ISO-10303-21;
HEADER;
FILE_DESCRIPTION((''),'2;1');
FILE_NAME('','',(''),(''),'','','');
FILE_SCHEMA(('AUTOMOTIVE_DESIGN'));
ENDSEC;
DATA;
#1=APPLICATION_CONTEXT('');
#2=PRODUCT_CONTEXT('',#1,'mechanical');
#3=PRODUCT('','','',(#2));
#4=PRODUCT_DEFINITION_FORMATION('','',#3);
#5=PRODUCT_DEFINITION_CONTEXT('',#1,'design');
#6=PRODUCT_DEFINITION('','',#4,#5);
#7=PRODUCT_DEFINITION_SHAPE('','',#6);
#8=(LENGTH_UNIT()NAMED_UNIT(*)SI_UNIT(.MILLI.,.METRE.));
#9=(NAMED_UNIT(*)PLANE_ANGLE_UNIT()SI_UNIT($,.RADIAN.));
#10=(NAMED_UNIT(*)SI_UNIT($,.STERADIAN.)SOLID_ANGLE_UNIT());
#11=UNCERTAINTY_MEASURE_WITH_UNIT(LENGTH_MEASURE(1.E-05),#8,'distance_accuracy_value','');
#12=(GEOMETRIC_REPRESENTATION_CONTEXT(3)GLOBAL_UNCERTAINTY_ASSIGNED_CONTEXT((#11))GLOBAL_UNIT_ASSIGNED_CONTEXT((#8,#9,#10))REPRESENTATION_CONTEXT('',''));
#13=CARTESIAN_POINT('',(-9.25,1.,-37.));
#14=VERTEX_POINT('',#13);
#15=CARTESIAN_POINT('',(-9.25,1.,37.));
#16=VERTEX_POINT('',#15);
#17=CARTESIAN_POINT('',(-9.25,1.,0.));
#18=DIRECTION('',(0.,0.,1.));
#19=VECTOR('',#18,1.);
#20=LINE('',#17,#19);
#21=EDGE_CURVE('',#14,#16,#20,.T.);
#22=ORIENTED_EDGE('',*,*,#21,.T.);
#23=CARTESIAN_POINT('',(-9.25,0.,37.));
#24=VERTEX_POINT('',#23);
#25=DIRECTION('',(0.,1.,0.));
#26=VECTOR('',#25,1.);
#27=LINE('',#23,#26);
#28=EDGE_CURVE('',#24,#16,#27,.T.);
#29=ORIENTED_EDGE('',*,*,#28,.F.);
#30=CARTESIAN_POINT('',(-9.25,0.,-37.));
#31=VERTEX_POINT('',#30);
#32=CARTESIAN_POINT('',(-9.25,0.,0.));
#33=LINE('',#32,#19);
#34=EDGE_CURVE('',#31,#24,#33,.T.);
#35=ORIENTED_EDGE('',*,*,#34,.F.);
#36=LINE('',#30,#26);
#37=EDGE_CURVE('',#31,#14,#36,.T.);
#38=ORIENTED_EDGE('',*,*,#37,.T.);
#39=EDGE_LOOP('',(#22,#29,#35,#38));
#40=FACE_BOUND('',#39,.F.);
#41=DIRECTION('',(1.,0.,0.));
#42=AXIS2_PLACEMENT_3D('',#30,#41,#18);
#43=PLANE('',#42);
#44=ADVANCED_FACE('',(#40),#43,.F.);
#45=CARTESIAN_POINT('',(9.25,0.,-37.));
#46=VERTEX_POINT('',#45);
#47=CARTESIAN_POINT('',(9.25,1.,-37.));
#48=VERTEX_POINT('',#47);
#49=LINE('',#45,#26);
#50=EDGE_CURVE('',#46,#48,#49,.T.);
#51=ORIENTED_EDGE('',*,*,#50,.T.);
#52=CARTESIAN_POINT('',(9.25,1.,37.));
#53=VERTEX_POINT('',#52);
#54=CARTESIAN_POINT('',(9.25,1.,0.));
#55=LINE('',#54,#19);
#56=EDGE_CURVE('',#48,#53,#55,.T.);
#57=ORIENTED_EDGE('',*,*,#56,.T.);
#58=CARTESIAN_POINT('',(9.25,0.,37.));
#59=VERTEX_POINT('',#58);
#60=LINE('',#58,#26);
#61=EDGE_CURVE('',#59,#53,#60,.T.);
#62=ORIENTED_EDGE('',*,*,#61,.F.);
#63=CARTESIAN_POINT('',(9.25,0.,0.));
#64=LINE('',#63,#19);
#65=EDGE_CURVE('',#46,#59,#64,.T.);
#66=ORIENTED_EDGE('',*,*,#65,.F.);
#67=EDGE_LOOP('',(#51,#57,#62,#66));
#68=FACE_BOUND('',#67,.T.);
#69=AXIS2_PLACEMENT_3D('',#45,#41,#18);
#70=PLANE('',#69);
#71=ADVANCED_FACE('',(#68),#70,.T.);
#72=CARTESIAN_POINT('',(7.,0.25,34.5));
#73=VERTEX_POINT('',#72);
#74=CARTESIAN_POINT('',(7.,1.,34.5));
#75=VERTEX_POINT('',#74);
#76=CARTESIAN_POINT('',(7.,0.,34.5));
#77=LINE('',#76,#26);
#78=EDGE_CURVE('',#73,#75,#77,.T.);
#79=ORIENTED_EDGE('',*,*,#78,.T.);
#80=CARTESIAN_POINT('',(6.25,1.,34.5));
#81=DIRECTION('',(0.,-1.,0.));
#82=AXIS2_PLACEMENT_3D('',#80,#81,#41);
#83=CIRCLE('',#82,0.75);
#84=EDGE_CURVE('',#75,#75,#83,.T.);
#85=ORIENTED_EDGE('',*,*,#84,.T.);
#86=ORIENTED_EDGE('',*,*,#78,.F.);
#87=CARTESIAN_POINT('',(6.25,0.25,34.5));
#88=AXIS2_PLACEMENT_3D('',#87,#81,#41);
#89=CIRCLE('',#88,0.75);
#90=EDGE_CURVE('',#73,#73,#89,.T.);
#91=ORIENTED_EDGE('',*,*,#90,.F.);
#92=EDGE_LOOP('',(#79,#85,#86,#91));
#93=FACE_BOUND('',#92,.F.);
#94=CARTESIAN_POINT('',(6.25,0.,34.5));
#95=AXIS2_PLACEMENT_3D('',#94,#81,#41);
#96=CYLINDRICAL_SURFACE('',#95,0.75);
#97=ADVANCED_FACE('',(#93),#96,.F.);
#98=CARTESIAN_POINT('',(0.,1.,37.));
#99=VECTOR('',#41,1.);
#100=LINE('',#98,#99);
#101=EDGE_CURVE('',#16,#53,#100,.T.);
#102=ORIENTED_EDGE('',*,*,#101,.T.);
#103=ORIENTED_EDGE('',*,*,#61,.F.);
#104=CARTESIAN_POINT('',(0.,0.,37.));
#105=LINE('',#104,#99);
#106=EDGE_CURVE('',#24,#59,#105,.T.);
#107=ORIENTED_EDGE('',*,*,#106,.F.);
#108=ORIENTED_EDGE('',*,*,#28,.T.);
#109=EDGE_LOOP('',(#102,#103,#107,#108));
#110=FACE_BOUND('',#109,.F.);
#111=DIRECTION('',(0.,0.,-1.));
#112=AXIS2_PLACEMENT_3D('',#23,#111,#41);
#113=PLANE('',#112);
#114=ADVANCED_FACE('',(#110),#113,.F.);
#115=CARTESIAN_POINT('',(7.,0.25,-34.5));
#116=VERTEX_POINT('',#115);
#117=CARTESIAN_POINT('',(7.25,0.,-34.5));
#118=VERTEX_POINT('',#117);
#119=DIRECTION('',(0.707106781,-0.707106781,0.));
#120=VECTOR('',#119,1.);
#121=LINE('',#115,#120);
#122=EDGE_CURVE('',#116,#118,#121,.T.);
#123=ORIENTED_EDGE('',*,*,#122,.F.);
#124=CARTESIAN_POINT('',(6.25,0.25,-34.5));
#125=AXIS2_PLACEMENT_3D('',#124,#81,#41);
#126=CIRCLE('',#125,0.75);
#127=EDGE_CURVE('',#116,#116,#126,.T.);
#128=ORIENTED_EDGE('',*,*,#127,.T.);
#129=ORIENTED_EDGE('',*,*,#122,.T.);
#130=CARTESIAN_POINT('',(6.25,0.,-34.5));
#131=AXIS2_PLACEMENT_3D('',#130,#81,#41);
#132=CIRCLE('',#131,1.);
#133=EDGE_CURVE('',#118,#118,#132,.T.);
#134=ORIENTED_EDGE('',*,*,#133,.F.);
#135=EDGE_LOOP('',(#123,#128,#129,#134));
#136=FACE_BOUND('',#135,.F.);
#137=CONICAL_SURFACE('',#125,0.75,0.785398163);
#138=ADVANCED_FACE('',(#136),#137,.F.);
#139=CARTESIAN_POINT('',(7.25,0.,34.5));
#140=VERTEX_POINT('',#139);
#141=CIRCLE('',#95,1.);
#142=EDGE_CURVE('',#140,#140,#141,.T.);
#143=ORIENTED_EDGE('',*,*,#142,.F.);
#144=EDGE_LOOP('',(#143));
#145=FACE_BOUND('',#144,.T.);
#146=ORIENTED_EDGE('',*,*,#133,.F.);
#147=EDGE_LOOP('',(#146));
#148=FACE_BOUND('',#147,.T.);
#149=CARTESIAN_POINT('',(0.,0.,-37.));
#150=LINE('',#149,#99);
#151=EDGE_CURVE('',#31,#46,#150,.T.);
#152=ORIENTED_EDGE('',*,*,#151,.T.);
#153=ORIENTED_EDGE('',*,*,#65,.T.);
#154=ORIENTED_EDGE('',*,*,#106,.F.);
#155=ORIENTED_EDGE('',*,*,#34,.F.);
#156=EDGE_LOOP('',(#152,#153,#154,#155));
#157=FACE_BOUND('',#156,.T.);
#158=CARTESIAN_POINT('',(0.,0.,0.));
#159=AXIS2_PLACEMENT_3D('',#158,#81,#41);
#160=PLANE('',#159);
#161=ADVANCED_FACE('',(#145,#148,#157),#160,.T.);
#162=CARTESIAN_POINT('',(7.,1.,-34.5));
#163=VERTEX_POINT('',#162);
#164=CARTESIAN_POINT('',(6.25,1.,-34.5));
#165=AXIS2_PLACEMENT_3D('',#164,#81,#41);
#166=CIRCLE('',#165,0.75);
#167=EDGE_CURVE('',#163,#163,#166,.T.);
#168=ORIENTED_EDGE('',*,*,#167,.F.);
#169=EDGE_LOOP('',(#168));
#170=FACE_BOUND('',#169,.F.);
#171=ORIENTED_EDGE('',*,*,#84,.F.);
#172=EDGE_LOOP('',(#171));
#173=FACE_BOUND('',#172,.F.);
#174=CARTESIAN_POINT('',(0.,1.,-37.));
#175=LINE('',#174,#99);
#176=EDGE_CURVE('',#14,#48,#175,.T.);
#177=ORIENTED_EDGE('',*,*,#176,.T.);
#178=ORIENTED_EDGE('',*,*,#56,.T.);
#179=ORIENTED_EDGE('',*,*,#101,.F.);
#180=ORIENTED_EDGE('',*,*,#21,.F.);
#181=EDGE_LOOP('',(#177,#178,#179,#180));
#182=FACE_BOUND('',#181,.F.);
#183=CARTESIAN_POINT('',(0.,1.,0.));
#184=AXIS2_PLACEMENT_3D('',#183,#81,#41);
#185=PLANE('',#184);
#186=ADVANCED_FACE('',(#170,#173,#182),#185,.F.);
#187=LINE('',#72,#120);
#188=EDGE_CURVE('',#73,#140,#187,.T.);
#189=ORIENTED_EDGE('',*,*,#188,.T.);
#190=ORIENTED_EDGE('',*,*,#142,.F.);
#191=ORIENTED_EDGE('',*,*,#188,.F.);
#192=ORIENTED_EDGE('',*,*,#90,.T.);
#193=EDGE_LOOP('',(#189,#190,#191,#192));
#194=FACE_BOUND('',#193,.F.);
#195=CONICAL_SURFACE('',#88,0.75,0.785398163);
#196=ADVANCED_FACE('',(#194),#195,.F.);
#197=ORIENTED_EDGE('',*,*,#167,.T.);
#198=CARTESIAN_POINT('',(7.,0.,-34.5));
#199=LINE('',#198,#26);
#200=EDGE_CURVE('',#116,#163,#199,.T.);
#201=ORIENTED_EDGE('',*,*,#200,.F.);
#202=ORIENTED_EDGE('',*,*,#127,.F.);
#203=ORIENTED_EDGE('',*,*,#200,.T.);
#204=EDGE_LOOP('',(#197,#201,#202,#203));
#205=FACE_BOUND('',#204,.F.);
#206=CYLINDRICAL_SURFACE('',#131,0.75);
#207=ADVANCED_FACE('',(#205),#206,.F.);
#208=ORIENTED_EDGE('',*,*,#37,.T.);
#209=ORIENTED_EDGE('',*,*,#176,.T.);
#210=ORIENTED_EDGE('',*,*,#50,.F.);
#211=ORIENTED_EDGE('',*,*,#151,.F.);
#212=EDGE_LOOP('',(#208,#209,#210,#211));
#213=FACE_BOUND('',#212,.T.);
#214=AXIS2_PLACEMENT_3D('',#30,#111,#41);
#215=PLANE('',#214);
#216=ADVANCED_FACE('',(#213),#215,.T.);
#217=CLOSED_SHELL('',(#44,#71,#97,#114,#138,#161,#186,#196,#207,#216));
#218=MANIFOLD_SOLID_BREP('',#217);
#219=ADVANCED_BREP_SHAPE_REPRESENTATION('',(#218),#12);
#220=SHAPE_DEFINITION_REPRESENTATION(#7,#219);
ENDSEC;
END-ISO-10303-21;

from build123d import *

# Parameters (mm, degrees)
F0_W     = 18.5
F0_H     = 74
F0_R     = 1
F0_R_2   = 0.75
F1_DEPTH = 1
F2_SIZE  = 0.25


with BuildPart() as f1:
    # F0 (on Front) → F1 (new body)
    with BuildSketch(Plane.XZ):
        Rectangle(F0_W, F0_H)
        with Locations((6.25, -34.5)):
            Circle(F0_R, mode=Mode.SUBTRACT)
        with Locations((6.25, 34.5)):
            Circle(F0_R, mode=Mode.SUBTRACT)
        with Locations((6.25, -34.5)):
            Circle(F0_R)
        with Locations((6.25, -34.5)):
            Circle(F0_R_2, mode=Mode.SUBTRACT)
        with Locations((6.25, 34.5)):
            Circle(F0_R)
        with Locations((6.25, 34.5)):
            Circle(F0_R_2, mode=Mode.SUBTRACT)
    extrude(amount=-F1_DEPTH)

    # F2
    f2_edges = [f1.edges().sort_by_distance(p)[0] for p in [
        (5.5, 0, -34.5),
        (5.5, 0, 34.5),
    ]]
    chamfer(f2_edges, length=F2_SIZE)


solid = f1.part
